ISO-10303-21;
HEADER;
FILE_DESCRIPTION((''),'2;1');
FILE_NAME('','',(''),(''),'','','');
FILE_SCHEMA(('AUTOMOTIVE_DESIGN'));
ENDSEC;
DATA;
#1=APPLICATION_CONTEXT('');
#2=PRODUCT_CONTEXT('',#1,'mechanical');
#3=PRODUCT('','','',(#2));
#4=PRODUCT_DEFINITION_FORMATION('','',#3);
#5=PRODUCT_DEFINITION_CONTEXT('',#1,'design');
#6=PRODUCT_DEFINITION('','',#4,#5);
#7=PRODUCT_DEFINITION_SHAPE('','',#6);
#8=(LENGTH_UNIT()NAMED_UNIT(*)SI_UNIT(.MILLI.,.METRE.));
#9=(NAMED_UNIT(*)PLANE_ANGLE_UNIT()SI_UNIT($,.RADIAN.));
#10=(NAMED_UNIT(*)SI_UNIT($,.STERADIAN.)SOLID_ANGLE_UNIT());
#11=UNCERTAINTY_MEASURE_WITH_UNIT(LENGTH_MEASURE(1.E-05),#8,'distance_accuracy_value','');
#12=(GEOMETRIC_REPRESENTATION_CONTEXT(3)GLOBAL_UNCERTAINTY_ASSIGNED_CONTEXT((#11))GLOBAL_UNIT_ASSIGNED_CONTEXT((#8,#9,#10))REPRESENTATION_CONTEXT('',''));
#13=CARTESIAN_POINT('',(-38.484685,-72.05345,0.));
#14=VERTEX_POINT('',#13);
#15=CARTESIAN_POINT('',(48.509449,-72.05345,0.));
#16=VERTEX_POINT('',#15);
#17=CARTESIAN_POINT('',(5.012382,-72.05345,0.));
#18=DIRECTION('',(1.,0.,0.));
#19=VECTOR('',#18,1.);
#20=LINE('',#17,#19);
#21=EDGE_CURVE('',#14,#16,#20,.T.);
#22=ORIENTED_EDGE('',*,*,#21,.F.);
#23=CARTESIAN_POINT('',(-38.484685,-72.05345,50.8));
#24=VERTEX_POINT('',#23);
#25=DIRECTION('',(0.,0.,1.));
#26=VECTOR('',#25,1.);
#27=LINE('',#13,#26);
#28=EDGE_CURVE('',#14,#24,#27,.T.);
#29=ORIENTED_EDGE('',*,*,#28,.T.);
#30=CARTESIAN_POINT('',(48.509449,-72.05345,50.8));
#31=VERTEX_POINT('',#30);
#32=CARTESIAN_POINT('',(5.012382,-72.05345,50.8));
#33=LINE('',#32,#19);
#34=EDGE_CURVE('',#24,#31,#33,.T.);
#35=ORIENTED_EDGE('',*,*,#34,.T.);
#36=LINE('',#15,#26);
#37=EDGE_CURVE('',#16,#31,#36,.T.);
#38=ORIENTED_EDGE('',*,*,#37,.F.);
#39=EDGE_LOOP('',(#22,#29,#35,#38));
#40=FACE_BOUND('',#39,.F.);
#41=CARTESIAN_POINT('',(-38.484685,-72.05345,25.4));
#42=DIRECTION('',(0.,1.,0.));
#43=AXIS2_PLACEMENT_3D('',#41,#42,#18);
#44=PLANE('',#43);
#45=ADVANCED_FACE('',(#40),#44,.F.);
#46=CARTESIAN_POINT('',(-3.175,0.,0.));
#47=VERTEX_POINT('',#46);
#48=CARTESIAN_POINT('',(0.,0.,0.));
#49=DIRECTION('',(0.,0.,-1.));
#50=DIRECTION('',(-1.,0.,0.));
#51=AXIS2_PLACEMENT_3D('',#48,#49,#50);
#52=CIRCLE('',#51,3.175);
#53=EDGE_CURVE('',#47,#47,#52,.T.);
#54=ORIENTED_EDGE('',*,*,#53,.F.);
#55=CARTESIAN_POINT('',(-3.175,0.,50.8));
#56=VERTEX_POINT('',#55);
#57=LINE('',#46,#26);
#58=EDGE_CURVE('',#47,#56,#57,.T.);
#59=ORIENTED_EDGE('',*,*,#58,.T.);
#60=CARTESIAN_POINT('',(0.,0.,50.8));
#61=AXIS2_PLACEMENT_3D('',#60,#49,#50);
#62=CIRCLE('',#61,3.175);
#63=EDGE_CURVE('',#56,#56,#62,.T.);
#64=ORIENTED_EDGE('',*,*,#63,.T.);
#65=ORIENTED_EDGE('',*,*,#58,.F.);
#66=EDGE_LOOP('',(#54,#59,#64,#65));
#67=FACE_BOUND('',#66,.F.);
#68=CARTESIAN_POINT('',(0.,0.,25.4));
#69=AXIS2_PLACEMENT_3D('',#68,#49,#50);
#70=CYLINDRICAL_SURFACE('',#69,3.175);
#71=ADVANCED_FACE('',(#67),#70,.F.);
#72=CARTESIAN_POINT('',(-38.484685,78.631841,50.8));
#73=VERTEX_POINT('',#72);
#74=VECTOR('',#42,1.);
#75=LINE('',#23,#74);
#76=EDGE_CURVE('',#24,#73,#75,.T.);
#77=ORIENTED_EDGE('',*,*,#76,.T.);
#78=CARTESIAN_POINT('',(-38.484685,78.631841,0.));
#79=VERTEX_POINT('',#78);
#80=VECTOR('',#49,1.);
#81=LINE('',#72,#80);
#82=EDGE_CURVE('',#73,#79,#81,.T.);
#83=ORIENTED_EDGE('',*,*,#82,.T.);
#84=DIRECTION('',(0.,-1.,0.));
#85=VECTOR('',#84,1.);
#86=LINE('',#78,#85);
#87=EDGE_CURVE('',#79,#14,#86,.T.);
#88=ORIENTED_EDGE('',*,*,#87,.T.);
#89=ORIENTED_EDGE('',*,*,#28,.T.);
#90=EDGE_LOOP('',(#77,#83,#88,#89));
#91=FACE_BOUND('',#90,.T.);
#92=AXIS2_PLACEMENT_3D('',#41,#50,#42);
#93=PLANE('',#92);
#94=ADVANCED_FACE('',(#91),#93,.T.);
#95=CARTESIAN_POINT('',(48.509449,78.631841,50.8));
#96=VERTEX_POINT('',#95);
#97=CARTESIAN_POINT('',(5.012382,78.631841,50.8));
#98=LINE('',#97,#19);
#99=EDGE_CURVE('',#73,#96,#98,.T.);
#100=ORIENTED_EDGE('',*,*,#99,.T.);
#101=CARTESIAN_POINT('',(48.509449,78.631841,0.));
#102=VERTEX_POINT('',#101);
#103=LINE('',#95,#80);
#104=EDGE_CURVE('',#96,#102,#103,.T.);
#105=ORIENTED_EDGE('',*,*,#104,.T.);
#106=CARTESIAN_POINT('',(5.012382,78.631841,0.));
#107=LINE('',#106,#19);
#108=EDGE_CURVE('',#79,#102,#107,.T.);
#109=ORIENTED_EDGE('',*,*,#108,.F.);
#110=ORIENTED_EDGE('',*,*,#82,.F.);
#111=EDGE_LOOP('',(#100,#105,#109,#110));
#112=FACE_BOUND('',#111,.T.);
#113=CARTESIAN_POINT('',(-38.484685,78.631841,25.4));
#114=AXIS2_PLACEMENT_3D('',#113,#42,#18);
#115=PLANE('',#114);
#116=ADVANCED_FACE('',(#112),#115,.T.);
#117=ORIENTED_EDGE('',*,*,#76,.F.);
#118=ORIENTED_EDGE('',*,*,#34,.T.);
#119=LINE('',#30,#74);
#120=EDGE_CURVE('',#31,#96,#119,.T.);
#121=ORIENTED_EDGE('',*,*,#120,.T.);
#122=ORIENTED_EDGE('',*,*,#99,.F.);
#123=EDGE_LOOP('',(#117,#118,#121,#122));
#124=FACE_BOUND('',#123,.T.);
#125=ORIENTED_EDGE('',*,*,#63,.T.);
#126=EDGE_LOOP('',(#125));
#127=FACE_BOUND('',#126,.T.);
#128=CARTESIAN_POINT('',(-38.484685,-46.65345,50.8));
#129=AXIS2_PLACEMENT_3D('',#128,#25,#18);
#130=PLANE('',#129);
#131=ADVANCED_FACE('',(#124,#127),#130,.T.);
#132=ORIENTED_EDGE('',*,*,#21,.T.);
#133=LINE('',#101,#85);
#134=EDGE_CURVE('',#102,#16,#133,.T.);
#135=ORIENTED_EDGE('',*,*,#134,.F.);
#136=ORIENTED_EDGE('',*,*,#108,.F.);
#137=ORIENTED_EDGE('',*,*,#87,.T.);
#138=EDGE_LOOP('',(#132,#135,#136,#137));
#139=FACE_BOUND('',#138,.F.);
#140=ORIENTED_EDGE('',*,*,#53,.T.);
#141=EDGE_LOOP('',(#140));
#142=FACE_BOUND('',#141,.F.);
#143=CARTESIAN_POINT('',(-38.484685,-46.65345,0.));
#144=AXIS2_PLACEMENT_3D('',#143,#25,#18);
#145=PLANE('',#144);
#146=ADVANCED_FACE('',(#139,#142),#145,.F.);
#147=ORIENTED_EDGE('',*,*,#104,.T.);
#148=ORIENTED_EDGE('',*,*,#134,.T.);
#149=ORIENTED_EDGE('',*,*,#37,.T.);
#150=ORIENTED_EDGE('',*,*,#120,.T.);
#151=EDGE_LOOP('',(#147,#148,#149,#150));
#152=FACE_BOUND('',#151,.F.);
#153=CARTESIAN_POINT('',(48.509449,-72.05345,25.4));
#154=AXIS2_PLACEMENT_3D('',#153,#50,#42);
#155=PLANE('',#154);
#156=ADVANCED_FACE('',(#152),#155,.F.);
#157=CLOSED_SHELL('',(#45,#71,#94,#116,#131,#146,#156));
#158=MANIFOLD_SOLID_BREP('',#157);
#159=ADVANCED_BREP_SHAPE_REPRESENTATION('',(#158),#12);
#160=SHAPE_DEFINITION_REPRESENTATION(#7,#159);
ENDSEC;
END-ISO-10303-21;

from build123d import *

# Parameters (mm, degrees)
F0_W     = 86.9941338897
F0_H     = 125.2852901816
F1_DEPTH = 25.4
F2_DEPTH = 25.4
F4_D     = 6.35
F5_DEPTH = 25.4


with BuildPart() as f1:
    # F0 (on Top) → F1 (new body)
    with BuildSketch(Plane.XY):
        with Locations((5.0123818219, 15.9891955554)):
            Rectangle(F0_W, F0_H)
    extrude(amount=F1_DEPTH)

    # F2 (add): a face of the model
    f2_faces = [f1.faces().sort_by_distance(p)[0] for p in [
        (5.0123818219, -46.6534495354, 12.7),
    ]]
    extrude(f2_faces, amount=F2_DEPTH)

    # F4 (through all)
    with Locations(Plane.XY.offset(25.4)):
        with Locations((0, 0)):
            Hole(F4_D / 2)

    # F5 (add): a face of the model
    f5_faces = [f1.faces().sort_by_distance(p)[0] for p in [
        (5.0245204925, 3.2971611221, 25.4),
    ]]
    extrude(f5_faces, amount=F5_DEPTH)


solid = f1.part
